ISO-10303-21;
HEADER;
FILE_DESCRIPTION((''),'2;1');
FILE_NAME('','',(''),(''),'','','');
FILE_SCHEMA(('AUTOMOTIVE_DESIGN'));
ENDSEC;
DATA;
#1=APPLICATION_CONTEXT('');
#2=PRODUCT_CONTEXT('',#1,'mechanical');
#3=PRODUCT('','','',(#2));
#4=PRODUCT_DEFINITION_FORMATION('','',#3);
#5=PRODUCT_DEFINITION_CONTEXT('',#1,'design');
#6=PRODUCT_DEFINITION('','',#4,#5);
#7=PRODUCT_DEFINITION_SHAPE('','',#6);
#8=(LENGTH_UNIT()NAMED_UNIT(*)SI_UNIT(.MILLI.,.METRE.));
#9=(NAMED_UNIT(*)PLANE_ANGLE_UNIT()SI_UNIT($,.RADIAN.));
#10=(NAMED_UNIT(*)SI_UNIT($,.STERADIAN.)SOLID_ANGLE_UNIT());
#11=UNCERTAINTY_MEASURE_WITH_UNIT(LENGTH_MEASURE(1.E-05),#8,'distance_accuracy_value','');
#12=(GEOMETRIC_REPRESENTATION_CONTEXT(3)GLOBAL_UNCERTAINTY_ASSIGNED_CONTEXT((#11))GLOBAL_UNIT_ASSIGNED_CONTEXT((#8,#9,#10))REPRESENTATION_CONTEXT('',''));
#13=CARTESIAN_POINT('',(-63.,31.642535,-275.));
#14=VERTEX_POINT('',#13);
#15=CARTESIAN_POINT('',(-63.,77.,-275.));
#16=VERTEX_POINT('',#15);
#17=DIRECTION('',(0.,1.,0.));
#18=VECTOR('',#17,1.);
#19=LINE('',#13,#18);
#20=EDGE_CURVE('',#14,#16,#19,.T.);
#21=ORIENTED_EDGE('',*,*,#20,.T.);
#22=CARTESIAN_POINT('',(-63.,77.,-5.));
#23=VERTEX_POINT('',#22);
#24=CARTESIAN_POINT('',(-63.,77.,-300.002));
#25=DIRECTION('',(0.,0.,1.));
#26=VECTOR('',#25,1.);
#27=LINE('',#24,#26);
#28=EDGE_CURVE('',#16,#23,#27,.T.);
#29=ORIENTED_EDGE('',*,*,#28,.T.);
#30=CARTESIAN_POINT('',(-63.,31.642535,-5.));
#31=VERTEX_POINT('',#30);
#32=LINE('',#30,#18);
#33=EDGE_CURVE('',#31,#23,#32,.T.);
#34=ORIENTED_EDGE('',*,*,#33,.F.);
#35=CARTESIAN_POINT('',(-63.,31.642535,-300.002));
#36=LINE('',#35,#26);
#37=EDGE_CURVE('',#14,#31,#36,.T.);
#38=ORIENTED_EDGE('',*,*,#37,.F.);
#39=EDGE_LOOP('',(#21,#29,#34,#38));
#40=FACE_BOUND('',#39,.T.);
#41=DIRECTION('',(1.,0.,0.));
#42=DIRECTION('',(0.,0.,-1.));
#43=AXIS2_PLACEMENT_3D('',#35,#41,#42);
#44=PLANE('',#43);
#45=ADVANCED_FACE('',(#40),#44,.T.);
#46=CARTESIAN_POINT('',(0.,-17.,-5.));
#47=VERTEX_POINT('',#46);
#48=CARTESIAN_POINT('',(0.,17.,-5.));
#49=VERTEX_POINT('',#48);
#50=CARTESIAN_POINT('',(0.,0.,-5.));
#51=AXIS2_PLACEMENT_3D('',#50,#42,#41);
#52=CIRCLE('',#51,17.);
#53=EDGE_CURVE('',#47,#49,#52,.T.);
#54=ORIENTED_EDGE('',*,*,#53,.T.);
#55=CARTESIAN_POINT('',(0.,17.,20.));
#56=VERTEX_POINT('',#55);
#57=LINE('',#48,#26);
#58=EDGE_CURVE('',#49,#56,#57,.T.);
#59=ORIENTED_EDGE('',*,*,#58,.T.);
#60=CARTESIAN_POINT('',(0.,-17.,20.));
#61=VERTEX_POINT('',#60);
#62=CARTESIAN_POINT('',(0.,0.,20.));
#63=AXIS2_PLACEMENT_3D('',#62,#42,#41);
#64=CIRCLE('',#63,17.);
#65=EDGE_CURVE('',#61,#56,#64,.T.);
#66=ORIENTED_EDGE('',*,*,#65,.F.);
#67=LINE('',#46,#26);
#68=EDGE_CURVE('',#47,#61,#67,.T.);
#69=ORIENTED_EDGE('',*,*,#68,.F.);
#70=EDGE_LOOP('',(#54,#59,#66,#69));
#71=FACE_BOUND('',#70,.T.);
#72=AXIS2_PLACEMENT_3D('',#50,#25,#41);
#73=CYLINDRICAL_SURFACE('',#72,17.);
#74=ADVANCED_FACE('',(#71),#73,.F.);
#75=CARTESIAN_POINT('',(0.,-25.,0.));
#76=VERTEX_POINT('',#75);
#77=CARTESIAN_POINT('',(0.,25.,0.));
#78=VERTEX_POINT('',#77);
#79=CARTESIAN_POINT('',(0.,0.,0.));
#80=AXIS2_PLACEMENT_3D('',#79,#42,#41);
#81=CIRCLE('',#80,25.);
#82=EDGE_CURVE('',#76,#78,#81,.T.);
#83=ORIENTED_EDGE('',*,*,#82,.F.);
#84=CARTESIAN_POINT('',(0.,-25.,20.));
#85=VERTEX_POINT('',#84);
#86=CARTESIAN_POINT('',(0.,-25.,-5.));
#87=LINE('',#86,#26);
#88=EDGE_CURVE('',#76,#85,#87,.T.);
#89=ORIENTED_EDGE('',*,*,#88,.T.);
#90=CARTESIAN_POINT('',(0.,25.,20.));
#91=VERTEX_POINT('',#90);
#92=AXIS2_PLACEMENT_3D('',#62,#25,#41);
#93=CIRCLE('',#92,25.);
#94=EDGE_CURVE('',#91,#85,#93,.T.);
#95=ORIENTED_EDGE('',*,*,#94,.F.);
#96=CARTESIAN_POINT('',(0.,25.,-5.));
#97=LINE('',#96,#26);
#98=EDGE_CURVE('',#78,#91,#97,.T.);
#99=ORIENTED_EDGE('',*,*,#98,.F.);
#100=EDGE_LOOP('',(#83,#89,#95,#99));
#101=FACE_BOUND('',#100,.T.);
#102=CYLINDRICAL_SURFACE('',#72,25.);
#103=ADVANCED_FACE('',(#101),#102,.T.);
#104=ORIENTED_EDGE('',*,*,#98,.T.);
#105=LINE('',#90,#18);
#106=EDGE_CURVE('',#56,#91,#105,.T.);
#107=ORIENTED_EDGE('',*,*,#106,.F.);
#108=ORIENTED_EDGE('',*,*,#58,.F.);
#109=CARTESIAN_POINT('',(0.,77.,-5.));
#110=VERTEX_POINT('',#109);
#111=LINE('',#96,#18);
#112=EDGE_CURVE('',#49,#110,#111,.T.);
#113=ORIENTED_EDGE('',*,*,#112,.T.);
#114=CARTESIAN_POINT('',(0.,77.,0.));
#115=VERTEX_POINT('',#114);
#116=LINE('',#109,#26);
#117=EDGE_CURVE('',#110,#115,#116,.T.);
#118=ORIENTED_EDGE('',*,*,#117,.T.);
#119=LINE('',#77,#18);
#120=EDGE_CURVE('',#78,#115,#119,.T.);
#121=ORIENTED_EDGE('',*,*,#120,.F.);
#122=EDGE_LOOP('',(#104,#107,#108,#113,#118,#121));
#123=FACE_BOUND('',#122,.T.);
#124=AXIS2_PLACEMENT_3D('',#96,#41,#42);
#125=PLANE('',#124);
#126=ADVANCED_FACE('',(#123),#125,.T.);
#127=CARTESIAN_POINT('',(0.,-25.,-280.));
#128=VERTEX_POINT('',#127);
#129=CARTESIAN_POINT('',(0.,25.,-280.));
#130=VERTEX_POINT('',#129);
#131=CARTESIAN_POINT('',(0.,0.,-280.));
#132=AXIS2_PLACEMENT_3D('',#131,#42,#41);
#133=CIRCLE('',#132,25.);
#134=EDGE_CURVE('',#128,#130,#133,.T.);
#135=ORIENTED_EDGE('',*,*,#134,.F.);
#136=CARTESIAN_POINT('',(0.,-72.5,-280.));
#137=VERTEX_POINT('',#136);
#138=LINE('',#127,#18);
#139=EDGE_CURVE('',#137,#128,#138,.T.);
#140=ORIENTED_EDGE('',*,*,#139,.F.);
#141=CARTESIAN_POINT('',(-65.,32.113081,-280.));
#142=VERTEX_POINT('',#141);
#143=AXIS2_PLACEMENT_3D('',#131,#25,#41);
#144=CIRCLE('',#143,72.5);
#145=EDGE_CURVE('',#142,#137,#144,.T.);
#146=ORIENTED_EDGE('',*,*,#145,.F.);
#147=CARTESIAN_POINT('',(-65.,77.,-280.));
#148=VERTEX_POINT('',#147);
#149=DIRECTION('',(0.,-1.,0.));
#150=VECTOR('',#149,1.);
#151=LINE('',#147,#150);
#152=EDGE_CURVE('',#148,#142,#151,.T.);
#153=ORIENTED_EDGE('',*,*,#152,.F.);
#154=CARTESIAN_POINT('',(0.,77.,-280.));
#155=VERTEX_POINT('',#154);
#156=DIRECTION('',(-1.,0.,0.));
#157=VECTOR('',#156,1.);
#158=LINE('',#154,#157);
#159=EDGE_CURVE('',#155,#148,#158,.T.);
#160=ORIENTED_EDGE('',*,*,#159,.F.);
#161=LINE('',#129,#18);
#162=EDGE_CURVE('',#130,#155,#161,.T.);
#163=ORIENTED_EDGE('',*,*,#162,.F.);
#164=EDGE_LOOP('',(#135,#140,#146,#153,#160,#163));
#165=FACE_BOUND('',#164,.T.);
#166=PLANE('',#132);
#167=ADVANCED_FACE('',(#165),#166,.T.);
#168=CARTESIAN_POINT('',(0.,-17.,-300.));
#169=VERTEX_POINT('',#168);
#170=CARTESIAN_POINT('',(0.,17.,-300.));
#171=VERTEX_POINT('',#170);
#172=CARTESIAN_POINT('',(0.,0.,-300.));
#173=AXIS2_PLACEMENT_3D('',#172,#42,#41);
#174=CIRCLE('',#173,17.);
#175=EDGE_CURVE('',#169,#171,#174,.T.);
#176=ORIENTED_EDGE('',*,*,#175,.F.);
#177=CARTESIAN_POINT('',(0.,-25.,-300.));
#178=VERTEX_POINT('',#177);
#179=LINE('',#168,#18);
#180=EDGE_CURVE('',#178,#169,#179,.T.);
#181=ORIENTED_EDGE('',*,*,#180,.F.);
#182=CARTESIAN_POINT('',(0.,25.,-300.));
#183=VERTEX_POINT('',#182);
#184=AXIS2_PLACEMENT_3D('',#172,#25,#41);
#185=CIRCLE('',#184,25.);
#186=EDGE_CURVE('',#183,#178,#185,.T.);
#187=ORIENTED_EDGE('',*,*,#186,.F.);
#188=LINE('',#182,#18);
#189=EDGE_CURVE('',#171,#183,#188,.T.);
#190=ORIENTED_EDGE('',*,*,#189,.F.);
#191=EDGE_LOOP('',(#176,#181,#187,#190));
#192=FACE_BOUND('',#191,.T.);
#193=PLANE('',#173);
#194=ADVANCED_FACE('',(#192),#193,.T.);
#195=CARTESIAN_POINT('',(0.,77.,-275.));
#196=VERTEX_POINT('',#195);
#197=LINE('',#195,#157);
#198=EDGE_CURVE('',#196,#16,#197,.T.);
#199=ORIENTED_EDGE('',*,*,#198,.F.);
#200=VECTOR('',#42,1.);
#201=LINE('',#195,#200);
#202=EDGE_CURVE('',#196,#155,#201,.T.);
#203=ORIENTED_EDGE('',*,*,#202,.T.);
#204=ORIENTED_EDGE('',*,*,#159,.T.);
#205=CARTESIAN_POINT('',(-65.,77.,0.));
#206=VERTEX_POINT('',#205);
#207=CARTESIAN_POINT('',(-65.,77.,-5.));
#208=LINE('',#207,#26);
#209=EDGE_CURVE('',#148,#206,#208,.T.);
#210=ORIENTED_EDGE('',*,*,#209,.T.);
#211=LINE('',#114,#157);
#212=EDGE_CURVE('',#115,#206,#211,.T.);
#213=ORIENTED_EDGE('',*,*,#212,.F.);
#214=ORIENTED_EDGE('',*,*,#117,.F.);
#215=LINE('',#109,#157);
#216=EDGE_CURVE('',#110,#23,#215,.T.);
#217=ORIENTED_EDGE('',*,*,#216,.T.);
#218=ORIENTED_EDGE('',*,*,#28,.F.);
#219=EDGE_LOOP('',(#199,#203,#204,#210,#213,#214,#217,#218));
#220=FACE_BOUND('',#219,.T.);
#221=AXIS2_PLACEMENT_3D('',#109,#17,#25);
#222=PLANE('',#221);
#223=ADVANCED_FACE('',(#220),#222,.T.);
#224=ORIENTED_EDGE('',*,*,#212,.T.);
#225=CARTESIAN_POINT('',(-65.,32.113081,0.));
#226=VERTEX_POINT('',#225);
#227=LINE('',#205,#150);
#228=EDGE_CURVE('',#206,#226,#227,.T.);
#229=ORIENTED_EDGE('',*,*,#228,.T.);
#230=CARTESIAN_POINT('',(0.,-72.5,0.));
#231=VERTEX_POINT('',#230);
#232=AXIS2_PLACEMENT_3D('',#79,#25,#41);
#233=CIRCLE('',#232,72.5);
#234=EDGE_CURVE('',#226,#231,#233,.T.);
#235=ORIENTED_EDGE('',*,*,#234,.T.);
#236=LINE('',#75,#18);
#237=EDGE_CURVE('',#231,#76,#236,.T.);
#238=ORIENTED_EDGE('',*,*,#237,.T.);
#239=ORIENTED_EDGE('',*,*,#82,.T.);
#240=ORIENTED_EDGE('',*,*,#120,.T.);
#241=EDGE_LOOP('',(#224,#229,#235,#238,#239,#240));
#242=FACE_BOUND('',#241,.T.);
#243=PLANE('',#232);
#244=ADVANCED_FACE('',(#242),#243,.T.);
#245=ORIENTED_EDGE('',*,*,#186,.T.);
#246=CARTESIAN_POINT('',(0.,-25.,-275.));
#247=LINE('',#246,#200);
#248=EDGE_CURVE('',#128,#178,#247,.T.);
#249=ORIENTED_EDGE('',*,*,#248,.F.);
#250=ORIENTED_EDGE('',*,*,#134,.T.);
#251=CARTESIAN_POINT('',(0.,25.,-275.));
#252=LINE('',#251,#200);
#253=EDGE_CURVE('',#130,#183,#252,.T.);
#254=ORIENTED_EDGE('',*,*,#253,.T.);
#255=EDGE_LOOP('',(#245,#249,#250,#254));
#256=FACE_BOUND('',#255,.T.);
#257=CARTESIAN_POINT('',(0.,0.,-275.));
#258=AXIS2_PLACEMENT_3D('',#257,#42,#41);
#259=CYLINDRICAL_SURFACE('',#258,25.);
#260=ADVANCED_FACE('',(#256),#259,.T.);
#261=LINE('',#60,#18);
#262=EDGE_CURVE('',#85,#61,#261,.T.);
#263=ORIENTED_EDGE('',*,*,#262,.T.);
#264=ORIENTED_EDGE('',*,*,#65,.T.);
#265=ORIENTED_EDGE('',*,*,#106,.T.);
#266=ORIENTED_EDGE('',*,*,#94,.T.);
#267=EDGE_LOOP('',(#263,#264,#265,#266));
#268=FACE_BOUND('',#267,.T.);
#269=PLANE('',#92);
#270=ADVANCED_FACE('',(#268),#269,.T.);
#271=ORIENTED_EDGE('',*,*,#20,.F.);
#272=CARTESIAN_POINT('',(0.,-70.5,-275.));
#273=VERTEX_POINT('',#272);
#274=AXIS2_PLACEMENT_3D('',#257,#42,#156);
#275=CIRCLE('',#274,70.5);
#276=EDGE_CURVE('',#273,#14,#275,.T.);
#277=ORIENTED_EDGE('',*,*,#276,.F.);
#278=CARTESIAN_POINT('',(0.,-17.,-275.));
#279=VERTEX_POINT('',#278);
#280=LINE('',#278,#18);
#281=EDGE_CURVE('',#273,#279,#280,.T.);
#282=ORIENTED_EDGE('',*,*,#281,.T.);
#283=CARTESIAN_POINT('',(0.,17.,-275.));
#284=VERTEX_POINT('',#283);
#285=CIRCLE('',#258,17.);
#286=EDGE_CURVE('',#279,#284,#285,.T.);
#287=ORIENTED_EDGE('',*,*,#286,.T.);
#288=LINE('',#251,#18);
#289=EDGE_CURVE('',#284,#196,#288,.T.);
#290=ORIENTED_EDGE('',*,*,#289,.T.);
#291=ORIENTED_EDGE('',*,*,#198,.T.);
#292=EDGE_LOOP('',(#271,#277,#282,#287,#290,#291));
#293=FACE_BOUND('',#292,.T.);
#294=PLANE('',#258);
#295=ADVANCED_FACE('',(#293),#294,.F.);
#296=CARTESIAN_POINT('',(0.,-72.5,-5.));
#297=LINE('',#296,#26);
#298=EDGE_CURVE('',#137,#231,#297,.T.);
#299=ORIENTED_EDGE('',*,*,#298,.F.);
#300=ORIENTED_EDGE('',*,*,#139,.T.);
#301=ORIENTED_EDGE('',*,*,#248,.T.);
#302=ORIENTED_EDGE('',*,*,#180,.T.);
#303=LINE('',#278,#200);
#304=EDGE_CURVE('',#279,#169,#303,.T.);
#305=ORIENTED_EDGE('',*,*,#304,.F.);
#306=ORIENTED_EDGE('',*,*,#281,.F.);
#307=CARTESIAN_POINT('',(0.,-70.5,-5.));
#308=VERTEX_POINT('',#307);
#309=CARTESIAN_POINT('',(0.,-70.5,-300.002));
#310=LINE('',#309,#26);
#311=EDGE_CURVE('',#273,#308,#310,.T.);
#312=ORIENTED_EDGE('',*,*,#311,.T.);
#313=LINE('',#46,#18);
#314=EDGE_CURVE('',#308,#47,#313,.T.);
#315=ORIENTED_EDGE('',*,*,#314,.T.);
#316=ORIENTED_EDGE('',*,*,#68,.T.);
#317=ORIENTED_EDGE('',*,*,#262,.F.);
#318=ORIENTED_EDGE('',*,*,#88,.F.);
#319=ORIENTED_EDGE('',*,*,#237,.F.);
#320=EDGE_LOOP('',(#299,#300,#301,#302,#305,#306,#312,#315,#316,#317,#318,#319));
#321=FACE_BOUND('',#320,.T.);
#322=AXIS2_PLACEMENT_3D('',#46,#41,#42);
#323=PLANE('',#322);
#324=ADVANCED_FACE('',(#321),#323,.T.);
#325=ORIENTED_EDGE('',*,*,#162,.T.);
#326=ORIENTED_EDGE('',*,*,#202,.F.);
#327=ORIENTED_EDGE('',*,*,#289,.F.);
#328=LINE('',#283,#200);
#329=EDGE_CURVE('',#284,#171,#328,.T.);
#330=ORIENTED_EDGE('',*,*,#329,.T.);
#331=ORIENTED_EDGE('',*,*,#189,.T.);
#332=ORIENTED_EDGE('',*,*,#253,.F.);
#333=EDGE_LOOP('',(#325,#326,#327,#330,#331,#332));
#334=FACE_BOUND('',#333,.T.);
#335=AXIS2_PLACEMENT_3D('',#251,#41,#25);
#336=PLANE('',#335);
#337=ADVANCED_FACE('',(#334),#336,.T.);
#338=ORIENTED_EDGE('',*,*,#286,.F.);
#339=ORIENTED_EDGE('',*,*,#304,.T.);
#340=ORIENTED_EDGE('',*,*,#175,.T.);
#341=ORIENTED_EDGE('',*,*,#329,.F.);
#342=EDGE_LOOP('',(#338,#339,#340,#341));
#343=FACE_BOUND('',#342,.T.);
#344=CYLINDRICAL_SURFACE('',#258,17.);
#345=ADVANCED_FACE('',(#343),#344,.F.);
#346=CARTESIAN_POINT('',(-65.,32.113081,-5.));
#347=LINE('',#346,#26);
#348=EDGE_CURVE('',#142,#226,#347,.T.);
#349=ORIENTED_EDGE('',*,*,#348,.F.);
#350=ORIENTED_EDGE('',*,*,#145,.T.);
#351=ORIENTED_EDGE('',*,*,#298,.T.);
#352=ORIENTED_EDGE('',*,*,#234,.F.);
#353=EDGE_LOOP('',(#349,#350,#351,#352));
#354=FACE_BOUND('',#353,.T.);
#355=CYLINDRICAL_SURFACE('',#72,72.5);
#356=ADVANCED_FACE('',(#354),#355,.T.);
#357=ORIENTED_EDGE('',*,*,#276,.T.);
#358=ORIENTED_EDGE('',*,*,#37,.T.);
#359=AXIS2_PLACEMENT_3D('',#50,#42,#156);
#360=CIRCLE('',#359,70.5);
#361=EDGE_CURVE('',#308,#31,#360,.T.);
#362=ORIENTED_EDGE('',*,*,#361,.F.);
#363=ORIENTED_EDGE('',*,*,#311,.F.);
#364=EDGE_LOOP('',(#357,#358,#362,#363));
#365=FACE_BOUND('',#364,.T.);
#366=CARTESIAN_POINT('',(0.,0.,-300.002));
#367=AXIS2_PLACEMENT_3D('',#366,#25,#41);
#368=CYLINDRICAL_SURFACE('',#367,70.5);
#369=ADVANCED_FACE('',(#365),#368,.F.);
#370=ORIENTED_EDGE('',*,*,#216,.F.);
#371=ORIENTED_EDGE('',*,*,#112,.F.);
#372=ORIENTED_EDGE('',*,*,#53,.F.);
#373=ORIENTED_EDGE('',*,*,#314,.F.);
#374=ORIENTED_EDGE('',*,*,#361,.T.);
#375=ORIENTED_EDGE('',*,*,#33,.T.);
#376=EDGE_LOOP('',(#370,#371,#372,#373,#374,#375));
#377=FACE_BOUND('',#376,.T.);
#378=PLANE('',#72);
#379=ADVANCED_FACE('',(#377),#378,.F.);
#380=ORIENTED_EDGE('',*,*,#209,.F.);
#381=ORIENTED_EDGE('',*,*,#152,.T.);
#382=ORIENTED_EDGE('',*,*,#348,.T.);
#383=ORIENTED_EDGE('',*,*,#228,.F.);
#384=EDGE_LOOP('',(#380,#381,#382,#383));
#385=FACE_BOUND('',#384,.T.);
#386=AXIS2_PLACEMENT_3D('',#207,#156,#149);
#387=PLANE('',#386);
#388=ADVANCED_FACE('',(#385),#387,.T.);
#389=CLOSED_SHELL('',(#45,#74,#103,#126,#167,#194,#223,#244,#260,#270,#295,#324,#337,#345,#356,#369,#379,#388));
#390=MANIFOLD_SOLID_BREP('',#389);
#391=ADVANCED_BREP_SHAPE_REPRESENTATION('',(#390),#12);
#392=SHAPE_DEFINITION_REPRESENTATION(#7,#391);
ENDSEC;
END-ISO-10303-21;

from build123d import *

# Parameters (mm, degrees)
BOSS_EXTRUDE1_DEPTH      = 20
BOSS_EXTRUDE1_DEPTH_BACK = 5
BOSS_EXTRUDE2_START      = -5
BOSS_EXTRUDE2_DEPTH      = 5
BOSS_EXTRUDE4_REACH      = 315.385


with BuildPart() as part:
    # Sketch1 → Boss-Extrude1 (new, two sides: drawn at the far end of the back side and taken through both)
    with BuildSketch(Plane.XY.offset(-BOSS_EXTRUDE1_DEPTH_BACK)):
        with BuildLine():
            Line((0, 25), (0, 17))
            ThreePointArc((0, 17), (-17, 0), (0, -17))
            Line((0, -17), (0, -25))
            ThreePointArc((0, -25), (-25, 0), (0, 25))
        make_face()
    extrude(amount=BOSS_EXTRUDE1_DEPTH + BOSS_EXTRUDE1_DEPTH_BACK)

    # Sketch2 → Boss-Extrude2 (add)
    with BuildSketch(Plane.XY.offset(BOSS_EXTRUDE2_START)):
        with BuildLine():
            Line((0, 25), (0, 77))
            Line((0, 77), (-65, 77))
            Line((-65, 77), (-65, 32.113081447))
            ThreePointArc((-65, 32.113081447), (-61.581037686, -38.262590053), (0, -72.5))
            Line((0, -72.5), (0, -25))
            ThreePointArc((0, -25), (-25, 0), (0, 25))
        make_face()
    extrude(amount=BOSS_EXTRUDE2_DEPTH)


with BuildPart() as body_2:
    # Mirror1: mirrored copy
    add(part.part.mirror(Plane.XY.offset(-140)))

    # Sketch3 → Boss-Extrude4 (add, up to next)
    with BuildSketch(Plane(origin=(0, 0, -5), x_dir=(-1, 0, 0), z_dir=(0, 0, -1)), mode=Mode.PRIVATE) as boss_extrude4_sk1:
        with BuildLine():
            Line((63, 31.642534665), (63, 77))
            Line((63, 77), (65, 77))
            Line((65, 77), (65, 32.113081447))
            ThreePointArc((65, 32.113081447), (61.581037686, -38.262590053), (0, -72.5))
            Line((0, -72.5), (0, -70.5))
            ThreePointArc((0, -70.5), (60.004369399, -37.009804823), (63, 31.642534665))
        make_face()
    boss_extrude4_tool1 = extrude(boss_extrude4_sk1.sketch, amount=BOSS_EXTRUDE4_REACH, mode=Mode.PRIVATE) - body_2.part

    add(part.part)  # Boss-Extrude4 merges part
    add(boss_extrude4_tool1.solids().sort_by_distance((-64.66152, 54.321267, -5))[0])


solid = body_2.part
